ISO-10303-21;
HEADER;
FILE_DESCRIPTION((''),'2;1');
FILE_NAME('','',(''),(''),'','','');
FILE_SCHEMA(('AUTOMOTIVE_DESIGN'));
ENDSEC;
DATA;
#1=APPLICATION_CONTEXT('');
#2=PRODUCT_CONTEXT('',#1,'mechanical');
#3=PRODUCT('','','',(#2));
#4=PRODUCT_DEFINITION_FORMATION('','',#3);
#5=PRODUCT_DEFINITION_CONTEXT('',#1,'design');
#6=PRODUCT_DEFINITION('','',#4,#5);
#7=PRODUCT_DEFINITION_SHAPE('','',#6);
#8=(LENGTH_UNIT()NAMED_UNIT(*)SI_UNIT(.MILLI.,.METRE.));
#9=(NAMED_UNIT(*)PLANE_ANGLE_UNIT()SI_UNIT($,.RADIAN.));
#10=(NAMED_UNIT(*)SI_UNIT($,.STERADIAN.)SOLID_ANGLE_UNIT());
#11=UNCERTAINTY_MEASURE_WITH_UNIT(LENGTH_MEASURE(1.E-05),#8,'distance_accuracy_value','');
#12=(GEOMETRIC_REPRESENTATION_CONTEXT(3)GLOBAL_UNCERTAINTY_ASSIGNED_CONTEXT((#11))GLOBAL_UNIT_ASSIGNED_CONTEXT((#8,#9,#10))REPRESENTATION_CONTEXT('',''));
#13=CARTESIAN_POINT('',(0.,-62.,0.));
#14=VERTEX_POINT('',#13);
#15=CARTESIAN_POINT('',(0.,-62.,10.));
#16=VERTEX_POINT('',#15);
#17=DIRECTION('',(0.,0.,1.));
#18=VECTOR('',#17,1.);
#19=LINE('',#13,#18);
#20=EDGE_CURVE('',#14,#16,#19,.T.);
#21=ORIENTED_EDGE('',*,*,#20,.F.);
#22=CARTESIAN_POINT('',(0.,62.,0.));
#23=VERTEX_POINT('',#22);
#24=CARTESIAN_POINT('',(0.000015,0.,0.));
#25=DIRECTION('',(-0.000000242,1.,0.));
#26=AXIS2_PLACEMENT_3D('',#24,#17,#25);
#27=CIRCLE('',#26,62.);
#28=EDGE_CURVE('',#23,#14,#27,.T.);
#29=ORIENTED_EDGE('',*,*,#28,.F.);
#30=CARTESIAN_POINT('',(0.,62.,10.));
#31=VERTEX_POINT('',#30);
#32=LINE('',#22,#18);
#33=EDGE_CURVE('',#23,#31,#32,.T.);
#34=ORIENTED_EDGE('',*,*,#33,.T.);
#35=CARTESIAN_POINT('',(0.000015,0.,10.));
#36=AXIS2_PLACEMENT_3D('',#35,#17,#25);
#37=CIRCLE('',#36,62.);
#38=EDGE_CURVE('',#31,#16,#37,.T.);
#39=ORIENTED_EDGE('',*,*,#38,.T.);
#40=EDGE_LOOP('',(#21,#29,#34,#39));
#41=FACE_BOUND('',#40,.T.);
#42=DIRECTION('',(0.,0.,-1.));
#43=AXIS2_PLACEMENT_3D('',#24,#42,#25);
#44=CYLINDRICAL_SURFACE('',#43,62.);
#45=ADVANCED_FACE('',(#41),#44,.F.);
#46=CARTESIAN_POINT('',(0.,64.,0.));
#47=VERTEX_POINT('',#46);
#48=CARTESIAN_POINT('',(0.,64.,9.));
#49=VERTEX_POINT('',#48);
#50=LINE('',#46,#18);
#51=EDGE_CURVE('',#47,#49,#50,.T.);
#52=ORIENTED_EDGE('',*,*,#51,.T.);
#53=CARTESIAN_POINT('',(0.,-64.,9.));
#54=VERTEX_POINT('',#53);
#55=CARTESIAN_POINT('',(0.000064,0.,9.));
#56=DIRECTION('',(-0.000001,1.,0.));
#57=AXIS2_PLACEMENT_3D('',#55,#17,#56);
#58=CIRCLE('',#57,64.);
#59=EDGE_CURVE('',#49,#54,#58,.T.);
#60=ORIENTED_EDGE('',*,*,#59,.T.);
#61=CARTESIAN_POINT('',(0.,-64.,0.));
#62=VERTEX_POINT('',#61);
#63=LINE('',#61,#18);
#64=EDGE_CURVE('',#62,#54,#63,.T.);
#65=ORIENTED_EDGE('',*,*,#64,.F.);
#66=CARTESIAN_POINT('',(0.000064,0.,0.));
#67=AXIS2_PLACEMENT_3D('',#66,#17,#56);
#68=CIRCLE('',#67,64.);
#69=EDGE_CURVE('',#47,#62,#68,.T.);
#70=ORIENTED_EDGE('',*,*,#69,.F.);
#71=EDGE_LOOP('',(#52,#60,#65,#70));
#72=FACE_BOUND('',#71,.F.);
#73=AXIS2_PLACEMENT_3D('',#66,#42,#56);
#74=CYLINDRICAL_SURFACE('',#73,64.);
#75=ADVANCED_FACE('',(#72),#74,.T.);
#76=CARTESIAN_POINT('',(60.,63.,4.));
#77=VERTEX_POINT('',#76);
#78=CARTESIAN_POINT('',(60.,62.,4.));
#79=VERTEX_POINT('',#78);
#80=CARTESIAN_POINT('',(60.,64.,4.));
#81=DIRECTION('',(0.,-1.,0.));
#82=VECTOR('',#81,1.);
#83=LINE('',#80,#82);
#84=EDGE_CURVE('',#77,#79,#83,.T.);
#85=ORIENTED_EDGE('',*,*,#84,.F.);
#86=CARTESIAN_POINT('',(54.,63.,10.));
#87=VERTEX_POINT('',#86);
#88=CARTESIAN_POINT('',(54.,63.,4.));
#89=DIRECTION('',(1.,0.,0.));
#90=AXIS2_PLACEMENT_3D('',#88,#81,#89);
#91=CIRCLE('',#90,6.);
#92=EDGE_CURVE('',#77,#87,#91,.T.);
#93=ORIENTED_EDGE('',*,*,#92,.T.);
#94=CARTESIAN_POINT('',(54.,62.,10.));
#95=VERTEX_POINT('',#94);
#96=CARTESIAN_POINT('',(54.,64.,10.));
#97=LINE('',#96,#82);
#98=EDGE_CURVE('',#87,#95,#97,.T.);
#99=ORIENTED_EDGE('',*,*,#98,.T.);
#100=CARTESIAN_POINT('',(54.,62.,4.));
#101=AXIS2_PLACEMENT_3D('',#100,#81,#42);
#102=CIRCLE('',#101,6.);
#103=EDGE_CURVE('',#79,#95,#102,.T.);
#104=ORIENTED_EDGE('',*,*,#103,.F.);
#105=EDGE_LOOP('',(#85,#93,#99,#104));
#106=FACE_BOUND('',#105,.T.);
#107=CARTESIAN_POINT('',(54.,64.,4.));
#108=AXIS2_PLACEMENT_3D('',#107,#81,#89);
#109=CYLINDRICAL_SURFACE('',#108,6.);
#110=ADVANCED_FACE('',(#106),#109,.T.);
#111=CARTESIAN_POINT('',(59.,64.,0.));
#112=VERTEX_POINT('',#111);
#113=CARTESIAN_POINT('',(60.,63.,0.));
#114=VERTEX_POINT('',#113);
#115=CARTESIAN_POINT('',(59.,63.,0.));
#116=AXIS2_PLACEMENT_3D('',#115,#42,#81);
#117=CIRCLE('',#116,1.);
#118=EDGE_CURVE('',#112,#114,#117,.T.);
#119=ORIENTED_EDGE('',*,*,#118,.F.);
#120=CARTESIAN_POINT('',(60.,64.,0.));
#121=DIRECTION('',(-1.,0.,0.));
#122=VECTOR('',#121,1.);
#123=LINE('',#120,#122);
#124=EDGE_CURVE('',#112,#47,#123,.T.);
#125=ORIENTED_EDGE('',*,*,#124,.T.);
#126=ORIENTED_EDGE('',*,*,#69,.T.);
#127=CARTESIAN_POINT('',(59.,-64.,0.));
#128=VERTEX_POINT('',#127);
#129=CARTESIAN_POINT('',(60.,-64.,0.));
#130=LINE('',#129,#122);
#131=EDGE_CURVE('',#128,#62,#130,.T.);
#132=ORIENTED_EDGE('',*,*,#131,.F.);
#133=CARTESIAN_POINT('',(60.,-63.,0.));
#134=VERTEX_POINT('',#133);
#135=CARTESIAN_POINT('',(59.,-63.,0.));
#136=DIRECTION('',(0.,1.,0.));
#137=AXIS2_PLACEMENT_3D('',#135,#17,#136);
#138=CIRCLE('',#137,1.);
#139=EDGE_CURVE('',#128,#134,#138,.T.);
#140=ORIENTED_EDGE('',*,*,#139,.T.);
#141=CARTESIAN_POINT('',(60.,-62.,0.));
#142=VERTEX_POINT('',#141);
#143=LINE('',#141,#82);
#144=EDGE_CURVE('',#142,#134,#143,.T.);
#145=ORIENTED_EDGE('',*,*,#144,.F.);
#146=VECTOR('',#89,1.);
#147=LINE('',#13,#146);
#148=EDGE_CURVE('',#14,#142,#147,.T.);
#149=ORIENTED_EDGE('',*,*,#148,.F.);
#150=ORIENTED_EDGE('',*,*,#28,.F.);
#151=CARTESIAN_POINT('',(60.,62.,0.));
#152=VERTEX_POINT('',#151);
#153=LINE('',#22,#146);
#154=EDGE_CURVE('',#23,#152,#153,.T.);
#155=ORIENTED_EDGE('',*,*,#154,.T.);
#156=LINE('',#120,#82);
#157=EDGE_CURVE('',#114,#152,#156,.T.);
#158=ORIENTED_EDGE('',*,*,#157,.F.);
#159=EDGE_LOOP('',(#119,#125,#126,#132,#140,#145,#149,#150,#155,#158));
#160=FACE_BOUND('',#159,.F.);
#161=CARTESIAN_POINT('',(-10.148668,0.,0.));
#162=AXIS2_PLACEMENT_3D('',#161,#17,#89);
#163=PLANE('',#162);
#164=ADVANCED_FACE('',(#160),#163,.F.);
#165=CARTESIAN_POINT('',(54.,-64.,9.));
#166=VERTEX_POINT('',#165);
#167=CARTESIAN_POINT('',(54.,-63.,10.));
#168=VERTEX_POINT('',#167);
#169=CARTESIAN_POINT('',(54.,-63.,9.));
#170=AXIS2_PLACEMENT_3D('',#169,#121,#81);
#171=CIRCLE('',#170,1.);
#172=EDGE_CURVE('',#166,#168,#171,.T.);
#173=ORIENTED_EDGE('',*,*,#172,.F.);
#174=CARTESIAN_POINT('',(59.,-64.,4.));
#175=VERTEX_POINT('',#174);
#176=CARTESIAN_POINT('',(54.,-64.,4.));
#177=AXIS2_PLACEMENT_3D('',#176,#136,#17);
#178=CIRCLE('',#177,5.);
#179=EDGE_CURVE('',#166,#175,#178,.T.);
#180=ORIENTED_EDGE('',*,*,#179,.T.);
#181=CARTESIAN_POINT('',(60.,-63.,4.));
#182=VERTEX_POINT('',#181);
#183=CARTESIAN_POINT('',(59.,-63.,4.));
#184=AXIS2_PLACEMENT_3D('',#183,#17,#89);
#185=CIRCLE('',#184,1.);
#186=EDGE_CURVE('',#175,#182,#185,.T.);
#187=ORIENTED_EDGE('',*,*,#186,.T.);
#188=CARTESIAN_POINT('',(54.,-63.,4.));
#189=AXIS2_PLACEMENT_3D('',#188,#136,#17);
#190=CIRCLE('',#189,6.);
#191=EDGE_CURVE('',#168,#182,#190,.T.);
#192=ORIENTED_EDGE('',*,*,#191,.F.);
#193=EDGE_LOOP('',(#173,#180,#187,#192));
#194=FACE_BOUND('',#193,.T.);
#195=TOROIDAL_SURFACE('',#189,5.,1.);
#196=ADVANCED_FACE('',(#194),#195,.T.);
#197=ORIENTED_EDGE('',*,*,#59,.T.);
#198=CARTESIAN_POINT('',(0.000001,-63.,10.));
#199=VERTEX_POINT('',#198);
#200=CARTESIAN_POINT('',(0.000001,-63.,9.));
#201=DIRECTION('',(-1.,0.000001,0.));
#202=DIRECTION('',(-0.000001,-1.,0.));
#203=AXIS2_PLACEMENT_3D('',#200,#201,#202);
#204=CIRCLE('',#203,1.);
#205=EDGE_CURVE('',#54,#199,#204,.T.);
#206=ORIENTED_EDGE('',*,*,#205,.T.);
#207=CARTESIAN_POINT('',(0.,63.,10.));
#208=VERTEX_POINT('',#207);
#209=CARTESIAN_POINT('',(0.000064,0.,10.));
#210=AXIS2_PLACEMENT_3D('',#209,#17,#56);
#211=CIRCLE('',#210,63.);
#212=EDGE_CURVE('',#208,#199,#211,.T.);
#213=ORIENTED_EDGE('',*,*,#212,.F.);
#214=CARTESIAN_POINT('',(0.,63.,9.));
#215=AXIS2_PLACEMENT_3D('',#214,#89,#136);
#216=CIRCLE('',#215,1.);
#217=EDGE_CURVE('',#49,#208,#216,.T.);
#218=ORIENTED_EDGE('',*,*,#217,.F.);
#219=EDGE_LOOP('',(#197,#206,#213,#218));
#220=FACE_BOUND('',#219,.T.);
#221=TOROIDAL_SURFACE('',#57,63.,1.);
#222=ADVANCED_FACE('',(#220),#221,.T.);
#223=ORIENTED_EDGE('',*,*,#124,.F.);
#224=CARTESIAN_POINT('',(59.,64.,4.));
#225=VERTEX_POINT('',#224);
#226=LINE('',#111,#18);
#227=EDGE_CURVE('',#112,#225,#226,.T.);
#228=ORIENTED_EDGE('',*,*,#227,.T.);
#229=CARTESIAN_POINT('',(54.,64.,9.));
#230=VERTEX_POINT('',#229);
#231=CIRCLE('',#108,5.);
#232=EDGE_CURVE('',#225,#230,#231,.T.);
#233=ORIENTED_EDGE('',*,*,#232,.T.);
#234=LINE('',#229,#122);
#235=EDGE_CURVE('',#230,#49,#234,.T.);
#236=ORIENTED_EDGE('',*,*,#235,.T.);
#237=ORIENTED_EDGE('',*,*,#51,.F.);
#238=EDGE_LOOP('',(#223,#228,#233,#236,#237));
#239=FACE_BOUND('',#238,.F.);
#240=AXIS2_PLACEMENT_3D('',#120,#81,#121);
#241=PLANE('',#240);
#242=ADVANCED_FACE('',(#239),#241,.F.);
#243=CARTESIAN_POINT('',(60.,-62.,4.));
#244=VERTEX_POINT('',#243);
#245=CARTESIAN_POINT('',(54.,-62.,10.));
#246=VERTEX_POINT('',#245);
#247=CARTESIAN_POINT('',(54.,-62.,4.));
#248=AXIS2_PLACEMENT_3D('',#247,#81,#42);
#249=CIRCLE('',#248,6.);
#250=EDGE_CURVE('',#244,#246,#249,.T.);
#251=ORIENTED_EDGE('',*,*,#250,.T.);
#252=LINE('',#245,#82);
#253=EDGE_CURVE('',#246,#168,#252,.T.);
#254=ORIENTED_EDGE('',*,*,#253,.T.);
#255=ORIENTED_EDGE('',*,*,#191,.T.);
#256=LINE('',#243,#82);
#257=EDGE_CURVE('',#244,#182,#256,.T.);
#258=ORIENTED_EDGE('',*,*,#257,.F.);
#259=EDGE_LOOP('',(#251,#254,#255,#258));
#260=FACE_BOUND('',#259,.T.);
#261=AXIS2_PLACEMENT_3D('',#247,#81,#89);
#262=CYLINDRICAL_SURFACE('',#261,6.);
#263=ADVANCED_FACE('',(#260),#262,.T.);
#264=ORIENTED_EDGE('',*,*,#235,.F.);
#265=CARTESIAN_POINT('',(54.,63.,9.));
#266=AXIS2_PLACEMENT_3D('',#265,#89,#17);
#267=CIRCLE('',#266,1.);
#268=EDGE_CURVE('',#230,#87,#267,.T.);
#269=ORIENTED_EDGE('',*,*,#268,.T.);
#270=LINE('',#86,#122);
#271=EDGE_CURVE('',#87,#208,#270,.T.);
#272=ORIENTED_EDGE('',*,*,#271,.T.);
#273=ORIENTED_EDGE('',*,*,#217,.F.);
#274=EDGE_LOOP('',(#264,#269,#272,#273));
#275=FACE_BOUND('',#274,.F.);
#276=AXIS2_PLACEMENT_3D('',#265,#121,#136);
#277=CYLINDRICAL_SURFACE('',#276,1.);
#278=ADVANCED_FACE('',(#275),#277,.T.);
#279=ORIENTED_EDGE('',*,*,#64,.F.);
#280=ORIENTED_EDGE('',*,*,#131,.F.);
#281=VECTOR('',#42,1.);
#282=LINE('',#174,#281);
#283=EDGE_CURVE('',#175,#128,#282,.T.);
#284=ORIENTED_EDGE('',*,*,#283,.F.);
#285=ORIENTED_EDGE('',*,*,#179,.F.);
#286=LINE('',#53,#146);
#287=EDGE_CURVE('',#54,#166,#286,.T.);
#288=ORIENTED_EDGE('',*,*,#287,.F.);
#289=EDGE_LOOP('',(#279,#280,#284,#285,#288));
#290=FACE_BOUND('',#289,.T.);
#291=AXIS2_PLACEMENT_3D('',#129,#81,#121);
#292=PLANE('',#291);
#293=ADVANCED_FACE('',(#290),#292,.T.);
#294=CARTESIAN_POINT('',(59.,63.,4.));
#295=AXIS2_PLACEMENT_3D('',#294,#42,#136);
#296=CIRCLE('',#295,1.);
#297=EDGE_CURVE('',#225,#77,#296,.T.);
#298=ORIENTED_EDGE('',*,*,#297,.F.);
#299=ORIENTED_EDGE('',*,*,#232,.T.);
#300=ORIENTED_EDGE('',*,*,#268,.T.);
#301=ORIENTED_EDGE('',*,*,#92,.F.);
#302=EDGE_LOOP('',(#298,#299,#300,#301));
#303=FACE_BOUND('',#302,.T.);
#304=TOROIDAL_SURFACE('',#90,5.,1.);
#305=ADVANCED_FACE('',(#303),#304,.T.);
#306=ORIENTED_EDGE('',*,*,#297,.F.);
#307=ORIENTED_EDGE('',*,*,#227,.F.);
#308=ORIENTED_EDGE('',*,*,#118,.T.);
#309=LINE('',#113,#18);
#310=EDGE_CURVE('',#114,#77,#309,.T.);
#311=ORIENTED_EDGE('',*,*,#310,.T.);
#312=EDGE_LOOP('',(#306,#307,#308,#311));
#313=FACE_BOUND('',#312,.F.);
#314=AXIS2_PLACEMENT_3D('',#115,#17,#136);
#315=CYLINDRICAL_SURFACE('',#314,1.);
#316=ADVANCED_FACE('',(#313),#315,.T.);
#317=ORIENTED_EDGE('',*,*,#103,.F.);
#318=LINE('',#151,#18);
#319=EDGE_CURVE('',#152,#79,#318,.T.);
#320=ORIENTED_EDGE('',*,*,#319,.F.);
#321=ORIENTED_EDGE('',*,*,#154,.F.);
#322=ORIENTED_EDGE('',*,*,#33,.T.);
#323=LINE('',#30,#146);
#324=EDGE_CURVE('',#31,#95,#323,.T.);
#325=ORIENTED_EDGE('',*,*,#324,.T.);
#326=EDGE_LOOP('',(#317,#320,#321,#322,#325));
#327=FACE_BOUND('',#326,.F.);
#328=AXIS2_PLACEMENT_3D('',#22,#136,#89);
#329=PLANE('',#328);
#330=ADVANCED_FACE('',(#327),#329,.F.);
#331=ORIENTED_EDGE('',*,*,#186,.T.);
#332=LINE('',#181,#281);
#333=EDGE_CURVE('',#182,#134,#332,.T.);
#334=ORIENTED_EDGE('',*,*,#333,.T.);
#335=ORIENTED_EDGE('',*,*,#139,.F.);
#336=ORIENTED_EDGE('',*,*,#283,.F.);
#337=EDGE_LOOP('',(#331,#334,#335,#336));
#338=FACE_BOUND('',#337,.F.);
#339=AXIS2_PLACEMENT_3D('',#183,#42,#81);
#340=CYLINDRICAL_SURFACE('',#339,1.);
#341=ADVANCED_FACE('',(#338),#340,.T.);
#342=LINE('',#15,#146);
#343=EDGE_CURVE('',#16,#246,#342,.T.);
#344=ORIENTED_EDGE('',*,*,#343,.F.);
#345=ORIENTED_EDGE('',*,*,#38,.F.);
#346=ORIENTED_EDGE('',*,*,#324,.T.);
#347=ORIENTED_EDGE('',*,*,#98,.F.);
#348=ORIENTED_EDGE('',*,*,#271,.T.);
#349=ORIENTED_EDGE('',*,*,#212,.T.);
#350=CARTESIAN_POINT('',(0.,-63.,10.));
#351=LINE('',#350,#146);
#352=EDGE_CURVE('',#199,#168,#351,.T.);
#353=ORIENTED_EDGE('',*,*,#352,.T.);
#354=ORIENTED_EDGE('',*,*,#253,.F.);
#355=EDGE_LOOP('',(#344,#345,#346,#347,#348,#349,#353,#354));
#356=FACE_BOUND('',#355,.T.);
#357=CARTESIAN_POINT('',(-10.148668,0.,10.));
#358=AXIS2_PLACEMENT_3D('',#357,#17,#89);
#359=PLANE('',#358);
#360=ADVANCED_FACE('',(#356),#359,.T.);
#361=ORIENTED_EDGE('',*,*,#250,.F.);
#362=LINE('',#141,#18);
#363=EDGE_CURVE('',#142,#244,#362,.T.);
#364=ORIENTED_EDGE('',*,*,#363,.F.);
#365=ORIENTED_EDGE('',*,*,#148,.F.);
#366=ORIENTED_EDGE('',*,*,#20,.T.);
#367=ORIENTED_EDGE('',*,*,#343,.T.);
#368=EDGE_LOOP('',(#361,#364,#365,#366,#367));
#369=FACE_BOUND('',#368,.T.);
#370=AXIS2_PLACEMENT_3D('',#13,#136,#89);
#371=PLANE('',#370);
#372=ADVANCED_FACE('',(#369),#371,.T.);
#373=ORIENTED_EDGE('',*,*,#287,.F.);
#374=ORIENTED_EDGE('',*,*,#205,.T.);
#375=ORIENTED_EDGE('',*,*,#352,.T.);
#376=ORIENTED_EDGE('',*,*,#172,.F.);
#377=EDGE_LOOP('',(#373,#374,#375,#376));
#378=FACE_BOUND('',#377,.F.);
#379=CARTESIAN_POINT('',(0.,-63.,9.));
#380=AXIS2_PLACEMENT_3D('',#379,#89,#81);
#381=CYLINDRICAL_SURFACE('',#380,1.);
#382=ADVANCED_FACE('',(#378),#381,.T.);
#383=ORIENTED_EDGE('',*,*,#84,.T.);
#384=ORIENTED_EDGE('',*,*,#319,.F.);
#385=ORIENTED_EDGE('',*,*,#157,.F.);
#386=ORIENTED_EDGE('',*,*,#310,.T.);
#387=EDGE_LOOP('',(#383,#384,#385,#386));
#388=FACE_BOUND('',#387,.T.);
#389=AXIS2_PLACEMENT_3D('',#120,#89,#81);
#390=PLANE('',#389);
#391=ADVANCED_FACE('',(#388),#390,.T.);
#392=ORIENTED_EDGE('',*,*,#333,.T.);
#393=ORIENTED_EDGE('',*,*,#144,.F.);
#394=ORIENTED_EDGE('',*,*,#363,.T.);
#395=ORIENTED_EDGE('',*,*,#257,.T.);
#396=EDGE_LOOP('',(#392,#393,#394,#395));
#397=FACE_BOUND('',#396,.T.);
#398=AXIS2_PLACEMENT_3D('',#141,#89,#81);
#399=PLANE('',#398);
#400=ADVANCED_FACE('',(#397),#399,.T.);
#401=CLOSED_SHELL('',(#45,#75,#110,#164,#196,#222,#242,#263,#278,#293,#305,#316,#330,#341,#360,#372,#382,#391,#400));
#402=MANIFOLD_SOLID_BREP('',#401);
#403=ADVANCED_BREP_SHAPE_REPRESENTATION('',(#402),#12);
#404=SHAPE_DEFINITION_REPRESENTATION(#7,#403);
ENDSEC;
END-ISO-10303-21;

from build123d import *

# Parameters (mm, degrees)
PAD001_DEPTH = 10
FILLET001_R  = 6
FILLET002_R  = 1


with BuildPart() as part:
    # Sketch002 → Pad001 (new body)
    with BuildSketch(Plane.XY):
        with BuildLine():
            Line((60, 64), (0, 64))
            ThreePointArc((0, 64), (-63.999936, 0), (0, -64))
            Line((60, -64), (0, -64))
            Line((60, -62), (60, -64))
            Line((0, -62), (60, -62))
            ThreePointArc((0, 62), (-61.999985, 0), (0, -62))
            Line((0, 62), (60, 62))
            Line((60, 64), (60, 62))
        make_face()
    extrude(amount=PAD001_DEPTH)

    # Fillet001
    fillet001_edges = [part.edges().sort_by_distance(p)[0] for p in [
        (60, -63, 10),
        (60, 63, 10),
    ]]
    fillet(fillet001_edges, radius=FILLET001_R)

    # Fillet002
    fillet002_edges = [part.edges().sort_by_distance(p)[0] for p in [
        (27, 64, 10),
    ]]
    fillet(fillet002_edges, radius=FILLET002_R)


solid = part.part
